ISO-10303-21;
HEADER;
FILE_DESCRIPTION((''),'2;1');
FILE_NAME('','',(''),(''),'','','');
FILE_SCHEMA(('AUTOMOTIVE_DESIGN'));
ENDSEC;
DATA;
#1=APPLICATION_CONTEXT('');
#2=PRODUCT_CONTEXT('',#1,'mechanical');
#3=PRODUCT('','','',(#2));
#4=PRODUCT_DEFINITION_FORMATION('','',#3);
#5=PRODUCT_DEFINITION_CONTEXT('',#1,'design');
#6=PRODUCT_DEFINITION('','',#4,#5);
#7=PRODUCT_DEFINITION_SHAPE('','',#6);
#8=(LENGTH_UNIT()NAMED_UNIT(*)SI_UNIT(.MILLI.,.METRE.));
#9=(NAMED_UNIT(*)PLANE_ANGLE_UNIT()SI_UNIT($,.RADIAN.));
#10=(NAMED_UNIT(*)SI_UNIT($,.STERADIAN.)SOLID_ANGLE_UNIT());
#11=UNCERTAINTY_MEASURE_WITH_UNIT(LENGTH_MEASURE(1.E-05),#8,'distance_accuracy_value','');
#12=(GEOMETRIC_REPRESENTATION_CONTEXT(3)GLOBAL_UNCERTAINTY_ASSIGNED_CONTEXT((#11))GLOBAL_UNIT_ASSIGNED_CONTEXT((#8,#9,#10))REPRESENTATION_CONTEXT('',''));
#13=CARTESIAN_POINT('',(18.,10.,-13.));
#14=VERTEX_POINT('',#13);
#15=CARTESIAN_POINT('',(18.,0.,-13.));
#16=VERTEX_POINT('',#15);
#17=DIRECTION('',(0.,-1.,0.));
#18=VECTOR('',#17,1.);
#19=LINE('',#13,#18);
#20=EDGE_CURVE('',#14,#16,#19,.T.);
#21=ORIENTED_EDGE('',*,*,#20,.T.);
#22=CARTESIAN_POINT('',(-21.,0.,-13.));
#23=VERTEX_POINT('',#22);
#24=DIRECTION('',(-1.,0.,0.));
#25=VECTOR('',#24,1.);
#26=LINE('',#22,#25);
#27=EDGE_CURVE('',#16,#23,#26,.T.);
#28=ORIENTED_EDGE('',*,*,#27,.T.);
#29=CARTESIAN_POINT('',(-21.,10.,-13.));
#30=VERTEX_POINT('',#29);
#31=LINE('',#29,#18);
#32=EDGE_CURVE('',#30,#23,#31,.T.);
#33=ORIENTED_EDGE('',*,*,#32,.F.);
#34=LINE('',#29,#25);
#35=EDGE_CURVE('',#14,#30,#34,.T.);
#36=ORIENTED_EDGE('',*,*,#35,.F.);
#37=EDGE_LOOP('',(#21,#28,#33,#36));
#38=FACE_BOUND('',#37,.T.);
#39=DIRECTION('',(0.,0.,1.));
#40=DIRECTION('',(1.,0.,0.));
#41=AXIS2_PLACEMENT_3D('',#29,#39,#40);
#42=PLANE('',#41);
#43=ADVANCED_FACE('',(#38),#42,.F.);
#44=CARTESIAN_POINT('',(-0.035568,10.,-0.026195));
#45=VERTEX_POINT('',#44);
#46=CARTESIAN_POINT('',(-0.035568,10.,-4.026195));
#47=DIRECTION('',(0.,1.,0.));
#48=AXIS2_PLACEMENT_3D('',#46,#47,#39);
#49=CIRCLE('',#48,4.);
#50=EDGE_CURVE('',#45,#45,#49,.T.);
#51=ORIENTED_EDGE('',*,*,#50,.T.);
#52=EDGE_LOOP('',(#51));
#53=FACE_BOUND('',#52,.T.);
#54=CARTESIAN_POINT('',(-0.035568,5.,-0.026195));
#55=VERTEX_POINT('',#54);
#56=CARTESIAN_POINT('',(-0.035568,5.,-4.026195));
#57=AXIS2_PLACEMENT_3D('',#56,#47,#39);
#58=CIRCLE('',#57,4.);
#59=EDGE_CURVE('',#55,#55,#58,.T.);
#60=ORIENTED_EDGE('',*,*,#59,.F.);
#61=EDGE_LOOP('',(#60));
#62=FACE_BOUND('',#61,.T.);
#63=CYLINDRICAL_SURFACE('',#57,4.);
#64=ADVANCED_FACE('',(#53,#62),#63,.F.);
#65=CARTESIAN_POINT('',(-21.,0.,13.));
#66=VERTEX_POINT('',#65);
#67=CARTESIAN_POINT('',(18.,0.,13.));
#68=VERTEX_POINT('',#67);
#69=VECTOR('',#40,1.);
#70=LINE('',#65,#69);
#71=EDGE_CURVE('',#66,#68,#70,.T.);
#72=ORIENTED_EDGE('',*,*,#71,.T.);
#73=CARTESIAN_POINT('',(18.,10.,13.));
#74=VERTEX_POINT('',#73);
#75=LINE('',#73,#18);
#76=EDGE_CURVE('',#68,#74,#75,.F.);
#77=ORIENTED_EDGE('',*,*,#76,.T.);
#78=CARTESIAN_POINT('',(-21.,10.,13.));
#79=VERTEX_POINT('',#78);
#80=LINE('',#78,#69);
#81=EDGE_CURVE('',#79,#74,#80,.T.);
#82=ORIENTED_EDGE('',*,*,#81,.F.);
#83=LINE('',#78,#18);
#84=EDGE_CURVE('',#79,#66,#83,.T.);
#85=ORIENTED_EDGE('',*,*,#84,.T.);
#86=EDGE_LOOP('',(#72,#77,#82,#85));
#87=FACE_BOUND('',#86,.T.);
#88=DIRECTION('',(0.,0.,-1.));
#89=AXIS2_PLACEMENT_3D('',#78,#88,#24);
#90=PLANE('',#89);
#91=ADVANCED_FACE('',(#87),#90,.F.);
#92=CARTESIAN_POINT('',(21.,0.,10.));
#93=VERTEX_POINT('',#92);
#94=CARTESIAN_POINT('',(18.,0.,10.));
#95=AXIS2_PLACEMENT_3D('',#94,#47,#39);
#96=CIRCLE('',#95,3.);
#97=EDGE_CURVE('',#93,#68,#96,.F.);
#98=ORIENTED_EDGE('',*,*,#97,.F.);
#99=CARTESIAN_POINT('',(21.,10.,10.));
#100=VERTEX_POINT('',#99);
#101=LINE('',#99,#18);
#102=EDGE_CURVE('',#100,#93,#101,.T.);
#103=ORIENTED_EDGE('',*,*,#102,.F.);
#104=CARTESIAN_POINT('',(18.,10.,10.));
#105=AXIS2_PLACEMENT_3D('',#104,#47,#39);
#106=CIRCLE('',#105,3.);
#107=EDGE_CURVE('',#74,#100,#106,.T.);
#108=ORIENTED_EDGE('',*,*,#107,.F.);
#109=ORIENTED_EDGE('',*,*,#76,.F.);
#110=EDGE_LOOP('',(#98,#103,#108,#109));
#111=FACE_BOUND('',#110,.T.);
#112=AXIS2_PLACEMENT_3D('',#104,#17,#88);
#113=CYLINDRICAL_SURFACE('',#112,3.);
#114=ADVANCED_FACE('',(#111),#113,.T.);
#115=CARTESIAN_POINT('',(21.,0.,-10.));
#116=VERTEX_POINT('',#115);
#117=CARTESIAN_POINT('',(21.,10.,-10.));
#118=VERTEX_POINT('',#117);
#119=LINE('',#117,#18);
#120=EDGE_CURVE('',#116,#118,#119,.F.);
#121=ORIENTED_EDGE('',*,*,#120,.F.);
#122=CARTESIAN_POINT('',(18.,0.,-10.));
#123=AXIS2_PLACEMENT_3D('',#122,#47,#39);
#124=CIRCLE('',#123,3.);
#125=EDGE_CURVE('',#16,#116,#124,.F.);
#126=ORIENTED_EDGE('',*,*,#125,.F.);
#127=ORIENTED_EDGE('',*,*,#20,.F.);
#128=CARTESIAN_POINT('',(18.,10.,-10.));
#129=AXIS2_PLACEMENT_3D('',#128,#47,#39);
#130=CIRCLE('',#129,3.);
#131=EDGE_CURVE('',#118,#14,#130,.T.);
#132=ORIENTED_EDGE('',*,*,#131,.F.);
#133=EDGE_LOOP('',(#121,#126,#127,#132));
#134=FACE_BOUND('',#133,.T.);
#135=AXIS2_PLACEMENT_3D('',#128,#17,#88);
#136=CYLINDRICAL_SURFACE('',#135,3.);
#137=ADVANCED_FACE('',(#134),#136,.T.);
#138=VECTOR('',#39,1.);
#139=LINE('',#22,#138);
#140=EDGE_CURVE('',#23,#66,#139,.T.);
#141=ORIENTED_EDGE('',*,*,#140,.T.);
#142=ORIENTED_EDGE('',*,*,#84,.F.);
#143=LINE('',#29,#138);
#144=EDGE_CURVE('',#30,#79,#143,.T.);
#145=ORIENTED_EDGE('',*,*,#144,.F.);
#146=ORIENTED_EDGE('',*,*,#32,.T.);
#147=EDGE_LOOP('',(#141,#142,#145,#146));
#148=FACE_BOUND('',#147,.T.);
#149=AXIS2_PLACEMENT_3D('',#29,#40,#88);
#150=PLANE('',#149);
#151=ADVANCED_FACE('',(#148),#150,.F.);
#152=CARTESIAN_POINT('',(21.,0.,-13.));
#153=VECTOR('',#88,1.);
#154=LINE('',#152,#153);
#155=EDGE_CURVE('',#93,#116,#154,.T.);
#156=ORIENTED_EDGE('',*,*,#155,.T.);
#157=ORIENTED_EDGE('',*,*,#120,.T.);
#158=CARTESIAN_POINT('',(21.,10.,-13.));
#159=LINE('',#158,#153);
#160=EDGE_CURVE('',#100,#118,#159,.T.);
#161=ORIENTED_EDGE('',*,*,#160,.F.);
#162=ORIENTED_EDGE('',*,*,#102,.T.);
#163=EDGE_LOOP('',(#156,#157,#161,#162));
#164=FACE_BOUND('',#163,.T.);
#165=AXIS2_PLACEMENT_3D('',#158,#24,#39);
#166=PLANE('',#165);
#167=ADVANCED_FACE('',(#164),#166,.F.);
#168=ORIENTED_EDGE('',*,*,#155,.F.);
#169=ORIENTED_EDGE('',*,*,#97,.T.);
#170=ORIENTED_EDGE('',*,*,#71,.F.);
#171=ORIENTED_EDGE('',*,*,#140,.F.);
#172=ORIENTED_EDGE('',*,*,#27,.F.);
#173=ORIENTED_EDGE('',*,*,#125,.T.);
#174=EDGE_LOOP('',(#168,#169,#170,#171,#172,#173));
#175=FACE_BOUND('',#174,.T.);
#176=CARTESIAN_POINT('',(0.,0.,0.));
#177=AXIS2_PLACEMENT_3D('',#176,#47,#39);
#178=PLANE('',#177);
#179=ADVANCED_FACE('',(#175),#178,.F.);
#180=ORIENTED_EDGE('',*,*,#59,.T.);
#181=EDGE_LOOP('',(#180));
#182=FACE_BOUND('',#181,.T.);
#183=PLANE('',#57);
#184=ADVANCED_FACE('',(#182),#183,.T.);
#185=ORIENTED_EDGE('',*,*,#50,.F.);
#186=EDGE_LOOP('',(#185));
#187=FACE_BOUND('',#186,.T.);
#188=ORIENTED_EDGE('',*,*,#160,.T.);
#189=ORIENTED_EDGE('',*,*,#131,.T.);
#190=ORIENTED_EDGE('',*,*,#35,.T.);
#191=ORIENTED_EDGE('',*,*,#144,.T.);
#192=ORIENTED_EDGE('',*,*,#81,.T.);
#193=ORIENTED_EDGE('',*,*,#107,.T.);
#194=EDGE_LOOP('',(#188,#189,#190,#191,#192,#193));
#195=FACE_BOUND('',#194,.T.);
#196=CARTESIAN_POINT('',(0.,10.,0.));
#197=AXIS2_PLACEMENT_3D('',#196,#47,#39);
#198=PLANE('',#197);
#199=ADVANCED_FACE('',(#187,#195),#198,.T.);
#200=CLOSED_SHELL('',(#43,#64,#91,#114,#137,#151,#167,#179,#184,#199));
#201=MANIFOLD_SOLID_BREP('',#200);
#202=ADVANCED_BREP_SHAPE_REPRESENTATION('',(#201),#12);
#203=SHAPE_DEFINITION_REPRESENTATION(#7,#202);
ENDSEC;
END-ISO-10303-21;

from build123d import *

# Parameters (mm, degrees)
SKETCH_1_W          = 42
SKETCH_1_H          = 26
EXTRUDE_1_DEPTH     = 10
SKETCH_2_R          = 4
CUT_EXTRUDE_1_DEPTH = 5
FILLET_1_R          = 3


with BuildPart() as part:
    # 草图1 → 凸台-拉伸1 (new body)
    with BuildSketch(Plane(origin=(0, 0, 0), x_dir=(1, 0, 0), z_dir=(0, 1, 0))):
        Rectangle(SKETCH_1_W, SKETCH_1_H)
    extrude(amount=EXTRUDE_1_DEPTH)

    # 草图2 → 切除-拉伸1 (cut)
    with BuildSketch(Plane(origin=(0, 10, 0), x_dir=(1, 0, 0), z_dir=(0, 1, 0))):
        with Locations(Location((-0.035567837, 4.026194604, 0), (0, 0, 270))):
            Circle(SKETCH_2_R)
    extrude(amount=-CUT_EXTRUDE_1_DEPTH, mode=Mode.SUBTRACT)

    # 圆角1
    fillet_1_edges = [part.edges().sort_by_distance(p)[0] for p in [
        (21, 5, 13),
        (21, 5, -13),
    ]]
    fillet(fillet_1_edges, radius=FILLET_1_R)


solid = part.part
